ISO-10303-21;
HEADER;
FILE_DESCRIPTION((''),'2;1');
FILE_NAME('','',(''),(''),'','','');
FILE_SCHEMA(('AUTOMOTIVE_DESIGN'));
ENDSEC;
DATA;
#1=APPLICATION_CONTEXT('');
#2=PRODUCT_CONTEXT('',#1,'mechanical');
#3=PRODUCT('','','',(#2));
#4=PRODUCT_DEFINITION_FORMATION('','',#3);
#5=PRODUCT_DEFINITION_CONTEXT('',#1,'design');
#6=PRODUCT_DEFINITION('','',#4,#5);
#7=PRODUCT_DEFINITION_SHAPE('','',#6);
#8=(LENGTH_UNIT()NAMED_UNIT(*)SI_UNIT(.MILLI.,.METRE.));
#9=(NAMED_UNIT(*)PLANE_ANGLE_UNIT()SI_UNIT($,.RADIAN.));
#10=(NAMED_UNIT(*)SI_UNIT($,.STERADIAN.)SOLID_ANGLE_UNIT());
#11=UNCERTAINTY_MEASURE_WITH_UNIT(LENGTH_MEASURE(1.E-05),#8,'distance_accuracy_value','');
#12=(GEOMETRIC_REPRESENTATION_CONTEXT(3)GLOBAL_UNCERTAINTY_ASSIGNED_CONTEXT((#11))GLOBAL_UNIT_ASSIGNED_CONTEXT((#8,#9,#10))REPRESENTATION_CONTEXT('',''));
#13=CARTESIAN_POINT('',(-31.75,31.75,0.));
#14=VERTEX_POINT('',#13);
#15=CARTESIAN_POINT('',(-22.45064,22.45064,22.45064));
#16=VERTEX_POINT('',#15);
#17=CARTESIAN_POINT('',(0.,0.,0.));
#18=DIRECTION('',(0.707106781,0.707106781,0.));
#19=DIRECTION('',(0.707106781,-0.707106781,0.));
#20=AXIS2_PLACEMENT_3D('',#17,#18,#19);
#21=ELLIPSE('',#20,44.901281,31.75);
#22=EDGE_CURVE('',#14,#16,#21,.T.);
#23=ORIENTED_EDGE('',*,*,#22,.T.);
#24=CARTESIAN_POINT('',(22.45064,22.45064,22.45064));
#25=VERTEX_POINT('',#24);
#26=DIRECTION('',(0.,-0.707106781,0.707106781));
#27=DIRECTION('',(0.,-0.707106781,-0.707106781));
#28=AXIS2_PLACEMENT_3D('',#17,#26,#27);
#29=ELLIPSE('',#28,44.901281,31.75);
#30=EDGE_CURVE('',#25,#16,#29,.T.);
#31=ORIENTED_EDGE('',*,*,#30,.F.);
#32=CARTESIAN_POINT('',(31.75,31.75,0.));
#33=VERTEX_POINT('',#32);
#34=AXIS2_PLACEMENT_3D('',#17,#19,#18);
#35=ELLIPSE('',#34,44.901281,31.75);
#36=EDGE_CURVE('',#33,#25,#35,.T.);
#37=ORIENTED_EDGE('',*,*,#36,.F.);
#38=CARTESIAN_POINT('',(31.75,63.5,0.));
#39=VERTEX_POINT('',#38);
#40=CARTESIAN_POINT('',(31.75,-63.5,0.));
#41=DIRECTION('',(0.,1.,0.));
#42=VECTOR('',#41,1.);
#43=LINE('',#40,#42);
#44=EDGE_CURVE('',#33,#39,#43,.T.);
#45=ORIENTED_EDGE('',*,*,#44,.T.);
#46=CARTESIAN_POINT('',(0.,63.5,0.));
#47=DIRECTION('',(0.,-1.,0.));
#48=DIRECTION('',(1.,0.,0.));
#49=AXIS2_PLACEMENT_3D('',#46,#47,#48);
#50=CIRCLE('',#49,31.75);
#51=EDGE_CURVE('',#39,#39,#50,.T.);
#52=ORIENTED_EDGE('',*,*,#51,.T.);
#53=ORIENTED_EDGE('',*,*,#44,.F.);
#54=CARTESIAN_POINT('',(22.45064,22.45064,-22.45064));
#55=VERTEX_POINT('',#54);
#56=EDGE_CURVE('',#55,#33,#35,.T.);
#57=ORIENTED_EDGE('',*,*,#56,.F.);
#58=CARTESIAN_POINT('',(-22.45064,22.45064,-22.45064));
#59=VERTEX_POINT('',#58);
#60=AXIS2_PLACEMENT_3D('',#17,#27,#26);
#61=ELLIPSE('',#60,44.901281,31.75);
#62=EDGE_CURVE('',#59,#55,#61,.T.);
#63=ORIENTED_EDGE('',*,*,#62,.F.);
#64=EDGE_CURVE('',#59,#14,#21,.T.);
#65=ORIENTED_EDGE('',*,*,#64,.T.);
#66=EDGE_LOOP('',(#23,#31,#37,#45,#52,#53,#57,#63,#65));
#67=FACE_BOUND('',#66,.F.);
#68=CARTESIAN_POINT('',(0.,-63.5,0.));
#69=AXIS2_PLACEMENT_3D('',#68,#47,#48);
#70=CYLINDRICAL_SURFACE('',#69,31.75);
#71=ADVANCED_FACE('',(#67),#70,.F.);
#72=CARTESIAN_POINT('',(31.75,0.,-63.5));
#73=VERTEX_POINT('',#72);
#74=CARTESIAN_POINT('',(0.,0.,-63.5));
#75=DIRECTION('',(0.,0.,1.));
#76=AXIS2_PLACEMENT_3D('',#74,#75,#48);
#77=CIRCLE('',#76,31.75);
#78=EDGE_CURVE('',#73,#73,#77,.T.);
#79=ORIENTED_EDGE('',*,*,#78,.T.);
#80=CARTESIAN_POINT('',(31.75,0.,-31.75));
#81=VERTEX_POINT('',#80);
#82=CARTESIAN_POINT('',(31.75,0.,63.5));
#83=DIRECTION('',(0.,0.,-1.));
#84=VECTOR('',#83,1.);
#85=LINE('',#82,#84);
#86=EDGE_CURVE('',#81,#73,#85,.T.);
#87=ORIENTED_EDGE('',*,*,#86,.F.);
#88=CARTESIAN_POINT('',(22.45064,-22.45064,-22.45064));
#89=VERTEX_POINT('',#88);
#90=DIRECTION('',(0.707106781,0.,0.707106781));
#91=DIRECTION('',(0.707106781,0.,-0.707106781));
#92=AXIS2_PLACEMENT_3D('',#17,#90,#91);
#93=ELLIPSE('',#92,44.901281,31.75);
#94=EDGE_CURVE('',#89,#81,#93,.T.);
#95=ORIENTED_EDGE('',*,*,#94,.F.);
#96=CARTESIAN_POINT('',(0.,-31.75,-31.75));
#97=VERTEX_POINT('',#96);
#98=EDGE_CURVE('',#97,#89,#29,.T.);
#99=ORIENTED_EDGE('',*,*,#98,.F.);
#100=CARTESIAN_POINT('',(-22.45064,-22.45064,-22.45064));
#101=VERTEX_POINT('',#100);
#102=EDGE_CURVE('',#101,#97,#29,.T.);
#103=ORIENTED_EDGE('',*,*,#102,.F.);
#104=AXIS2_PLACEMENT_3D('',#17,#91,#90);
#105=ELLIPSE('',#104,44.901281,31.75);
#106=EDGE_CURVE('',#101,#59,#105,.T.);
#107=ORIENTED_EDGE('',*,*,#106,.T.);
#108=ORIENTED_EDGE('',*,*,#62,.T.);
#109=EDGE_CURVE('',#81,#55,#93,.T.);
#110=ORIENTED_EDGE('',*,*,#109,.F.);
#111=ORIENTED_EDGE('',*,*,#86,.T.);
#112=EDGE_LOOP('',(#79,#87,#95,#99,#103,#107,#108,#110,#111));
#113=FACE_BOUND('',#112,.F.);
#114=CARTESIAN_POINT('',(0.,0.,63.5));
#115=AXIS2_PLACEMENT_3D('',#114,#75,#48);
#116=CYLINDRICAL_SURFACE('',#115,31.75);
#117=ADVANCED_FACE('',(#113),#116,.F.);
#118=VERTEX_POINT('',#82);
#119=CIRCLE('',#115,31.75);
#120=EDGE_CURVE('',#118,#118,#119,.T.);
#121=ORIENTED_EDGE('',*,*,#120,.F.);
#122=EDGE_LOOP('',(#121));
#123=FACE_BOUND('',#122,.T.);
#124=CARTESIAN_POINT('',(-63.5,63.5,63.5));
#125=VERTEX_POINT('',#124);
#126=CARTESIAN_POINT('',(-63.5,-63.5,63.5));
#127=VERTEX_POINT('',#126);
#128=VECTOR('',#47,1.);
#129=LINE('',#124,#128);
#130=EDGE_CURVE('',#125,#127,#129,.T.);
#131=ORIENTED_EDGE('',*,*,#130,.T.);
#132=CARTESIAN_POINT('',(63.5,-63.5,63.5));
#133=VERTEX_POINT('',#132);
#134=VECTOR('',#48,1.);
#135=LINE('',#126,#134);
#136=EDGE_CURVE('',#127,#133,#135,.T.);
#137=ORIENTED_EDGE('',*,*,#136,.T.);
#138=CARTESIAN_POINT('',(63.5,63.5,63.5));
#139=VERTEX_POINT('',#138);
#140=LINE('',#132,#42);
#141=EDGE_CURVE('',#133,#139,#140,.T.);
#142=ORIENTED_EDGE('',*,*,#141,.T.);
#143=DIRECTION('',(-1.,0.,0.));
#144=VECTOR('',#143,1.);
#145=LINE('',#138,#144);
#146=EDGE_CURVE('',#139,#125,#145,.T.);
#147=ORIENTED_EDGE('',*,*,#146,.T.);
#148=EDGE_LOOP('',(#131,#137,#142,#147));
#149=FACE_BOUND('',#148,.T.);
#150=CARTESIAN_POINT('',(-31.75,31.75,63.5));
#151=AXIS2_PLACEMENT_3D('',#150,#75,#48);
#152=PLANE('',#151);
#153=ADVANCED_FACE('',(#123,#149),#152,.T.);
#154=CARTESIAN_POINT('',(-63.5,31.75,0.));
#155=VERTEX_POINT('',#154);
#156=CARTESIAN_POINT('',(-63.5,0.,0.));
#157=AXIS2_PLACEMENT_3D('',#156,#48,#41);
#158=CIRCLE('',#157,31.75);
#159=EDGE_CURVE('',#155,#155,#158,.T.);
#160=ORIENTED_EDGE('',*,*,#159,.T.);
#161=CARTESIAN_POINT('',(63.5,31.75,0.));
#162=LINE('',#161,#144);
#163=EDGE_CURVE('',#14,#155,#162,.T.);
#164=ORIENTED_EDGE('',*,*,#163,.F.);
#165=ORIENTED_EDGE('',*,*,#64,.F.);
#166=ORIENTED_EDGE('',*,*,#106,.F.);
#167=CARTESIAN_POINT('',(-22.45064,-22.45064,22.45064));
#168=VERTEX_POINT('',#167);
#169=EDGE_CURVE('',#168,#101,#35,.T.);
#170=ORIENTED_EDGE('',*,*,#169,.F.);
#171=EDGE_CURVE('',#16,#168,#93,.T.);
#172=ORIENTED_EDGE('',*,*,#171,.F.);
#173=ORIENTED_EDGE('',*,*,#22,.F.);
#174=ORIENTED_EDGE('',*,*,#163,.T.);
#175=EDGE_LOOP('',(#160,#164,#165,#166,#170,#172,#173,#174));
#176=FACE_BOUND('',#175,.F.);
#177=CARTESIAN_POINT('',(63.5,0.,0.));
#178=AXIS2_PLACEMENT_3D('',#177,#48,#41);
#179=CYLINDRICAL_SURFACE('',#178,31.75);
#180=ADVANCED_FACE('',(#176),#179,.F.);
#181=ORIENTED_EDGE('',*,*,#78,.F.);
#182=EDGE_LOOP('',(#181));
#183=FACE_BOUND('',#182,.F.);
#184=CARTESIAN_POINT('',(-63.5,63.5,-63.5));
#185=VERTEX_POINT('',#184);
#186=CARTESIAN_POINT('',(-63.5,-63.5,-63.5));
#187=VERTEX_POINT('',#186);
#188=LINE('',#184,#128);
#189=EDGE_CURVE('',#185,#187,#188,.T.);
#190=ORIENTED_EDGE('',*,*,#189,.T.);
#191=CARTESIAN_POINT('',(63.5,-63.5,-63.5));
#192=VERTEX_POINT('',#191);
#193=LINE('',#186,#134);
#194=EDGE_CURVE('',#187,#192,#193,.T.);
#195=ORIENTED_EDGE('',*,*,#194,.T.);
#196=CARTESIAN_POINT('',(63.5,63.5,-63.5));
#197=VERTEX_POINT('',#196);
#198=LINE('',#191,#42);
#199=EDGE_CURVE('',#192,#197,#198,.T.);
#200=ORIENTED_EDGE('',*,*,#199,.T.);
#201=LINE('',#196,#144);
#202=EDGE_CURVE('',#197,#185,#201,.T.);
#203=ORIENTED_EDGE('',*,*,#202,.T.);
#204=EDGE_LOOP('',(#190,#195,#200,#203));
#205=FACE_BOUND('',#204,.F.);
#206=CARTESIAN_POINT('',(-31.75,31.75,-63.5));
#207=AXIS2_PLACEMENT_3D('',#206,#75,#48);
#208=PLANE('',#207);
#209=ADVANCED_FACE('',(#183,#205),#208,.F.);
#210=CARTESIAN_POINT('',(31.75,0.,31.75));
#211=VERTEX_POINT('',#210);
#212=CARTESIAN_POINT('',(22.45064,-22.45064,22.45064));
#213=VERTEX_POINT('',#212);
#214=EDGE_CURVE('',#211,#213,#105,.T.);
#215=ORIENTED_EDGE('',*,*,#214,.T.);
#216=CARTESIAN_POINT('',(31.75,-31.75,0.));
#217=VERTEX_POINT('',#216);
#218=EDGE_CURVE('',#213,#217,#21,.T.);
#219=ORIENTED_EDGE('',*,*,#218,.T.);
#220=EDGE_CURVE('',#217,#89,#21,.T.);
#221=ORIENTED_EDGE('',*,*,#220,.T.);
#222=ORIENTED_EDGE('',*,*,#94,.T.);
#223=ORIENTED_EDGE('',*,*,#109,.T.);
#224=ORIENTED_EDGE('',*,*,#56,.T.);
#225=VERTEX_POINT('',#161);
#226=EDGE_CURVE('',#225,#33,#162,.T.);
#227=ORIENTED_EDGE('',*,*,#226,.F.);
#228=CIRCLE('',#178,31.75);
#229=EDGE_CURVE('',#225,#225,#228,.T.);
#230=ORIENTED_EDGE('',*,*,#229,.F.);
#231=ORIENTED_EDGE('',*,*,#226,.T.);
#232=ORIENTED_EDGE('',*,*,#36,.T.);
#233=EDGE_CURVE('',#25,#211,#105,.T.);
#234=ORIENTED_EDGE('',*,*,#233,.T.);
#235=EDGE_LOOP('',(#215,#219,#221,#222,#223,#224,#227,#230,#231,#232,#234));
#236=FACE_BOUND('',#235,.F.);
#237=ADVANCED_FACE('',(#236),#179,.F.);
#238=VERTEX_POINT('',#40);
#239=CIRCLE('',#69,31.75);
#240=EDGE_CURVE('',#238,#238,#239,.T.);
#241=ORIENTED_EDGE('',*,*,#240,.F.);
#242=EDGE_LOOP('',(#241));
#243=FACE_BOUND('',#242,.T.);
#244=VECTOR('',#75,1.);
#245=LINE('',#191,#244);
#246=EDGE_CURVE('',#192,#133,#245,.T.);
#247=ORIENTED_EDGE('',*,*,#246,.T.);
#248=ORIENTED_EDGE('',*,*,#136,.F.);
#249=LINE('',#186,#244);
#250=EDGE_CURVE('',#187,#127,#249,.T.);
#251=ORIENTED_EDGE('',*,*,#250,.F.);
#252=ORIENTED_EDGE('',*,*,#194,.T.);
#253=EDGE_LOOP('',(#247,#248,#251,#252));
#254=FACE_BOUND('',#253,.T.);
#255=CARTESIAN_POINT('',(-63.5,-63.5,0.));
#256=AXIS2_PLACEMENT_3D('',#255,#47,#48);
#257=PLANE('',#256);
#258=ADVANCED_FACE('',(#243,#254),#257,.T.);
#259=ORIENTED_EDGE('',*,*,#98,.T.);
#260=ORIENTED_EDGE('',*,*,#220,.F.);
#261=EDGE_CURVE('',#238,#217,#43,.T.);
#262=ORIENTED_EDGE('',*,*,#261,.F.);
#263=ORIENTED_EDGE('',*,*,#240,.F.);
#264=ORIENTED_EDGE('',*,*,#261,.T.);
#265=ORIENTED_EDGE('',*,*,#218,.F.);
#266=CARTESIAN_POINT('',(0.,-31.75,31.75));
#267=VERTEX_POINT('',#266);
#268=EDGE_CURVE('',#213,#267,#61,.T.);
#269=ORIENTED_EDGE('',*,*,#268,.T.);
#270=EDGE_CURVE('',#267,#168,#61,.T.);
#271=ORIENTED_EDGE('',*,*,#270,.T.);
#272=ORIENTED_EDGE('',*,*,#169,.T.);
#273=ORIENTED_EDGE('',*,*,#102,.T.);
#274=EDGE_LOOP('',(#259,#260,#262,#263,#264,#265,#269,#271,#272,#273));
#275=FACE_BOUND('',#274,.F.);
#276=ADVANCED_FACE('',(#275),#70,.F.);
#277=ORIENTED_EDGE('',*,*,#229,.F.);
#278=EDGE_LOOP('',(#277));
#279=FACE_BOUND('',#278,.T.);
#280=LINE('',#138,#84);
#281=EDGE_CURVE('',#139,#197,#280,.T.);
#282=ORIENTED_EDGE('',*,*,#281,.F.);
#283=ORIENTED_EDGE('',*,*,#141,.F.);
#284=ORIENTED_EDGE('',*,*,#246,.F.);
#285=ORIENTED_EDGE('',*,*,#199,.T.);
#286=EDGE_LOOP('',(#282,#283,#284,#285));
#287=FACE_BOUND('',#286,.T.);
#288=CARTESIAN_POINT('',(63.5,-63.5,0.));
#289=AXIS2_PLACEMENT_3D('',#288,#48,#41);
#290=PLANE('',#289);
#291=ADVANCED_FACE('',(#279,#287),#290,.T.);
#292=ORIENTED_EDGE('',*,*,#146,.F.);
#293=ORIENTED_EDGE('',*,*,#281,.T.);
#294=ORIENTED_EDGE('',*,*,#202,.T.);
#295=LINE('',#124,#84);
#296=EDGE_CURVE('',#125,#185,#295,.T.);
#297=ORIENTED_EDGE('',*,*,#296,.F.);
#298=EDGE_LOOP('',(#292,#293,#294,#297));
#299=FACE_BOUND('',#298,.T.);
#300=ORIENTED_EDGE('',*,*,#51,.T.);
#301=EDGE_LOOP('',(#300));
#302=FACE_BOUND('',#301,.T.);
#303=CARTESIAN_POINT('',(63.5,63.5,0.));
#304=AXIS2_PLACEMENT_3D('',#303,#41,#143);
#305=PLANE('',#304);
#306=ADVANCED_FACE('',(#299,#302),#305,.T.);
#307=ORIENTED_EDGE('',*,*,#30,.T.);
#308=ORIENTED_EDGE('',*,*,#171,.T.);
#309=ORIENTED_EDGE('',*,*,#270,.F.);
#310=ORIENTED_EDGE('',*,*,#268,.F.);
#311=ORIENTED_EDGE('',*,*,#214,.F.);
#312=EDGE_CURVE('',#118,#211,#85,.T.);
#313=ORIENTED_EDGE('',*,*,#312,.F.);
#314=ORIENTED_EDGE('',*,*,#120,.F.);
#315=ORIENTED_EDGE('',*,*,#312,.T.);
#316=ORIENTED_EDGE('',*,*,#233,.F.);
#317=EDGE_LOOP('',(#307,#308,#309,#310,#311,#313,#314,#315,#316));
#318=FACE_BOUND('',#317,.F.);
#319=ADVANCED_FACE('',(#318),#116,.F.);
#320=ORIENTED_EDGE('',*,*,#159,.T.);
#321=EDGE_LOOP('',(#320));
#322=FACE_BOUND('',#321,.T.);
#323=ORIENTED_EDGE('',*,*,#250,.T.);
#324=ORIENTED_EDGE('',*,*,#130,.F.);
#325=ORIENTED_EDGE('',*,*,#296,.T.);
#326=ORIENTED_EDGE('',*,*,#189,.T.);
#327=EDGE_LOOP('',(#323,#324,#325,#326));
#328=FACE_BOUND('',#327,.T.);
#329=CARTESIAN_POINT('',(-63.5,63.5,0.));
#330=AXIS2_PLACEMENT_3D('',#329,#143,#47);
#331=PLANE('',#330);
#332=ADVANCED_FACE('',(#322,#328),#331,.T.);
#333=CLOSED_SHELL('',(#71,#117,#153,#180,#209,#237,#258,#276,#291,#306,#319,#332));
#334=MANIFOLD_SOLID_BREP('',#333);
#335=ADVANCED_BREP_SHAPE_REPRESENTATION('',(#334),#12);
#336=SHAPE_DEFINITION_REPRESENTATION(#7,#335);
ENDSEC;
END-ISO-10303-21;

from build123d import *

# Parameters (mm, degrees)
F0_W     = 63.5
F0_H     = 63.5
F1_DEPTH = 63.5
F2_R     = 31.75
F3_DEPTH = 127.001
F4_R     = 31.75
F5_DEPTH = 127.001
F6_R     = 31.75
F7_DEPTH = 127.001


with BuildPart() as f1:
    # F0 (on Top) → F1 (new body, symmetric)
    with BuildSketch(Plane.XY):
        with Locations((-31.75, 31.75)):
            Rectangle(F0_W, F0_H)
        with Locations((-31.75, -31.75)):
            Rectangle(F0_W, F0_H)
        with Locations((31.75, -31.75)):
            Rectangle(F0_W, F0_H)
        with Locations((31.75, 31.75)):
            Rectangle(F0_W, F0_H)
    extrude(amount=F1_DEPTH, both=True)

    # F2 (on face) → F3 (cut, through all)
    with BuildSketch(Plane.YZ.offset(63.5)):
        Circle(F2_R)
    extrude(amount=-F3_DEPTH, mode=Mode.SUBTRACT)

    # F4 (on face) → F5 (cut, through all)
    with BuildSketch(Plane.XZ.offset(63.5)):
        Circle(F4_R)
    extrude(amount=-F5_DEPTH, mode=Mode.SUBTRACT)

    # F6 (on face) → F7 (cut, through all)
    with BuildSketch(Plane.XY.offset(63.5)):
        Circle(F6_R)
    extrude(amount=-F7_DEPTH, mode=Mode.SUBTRACT)


solid = f1.part
